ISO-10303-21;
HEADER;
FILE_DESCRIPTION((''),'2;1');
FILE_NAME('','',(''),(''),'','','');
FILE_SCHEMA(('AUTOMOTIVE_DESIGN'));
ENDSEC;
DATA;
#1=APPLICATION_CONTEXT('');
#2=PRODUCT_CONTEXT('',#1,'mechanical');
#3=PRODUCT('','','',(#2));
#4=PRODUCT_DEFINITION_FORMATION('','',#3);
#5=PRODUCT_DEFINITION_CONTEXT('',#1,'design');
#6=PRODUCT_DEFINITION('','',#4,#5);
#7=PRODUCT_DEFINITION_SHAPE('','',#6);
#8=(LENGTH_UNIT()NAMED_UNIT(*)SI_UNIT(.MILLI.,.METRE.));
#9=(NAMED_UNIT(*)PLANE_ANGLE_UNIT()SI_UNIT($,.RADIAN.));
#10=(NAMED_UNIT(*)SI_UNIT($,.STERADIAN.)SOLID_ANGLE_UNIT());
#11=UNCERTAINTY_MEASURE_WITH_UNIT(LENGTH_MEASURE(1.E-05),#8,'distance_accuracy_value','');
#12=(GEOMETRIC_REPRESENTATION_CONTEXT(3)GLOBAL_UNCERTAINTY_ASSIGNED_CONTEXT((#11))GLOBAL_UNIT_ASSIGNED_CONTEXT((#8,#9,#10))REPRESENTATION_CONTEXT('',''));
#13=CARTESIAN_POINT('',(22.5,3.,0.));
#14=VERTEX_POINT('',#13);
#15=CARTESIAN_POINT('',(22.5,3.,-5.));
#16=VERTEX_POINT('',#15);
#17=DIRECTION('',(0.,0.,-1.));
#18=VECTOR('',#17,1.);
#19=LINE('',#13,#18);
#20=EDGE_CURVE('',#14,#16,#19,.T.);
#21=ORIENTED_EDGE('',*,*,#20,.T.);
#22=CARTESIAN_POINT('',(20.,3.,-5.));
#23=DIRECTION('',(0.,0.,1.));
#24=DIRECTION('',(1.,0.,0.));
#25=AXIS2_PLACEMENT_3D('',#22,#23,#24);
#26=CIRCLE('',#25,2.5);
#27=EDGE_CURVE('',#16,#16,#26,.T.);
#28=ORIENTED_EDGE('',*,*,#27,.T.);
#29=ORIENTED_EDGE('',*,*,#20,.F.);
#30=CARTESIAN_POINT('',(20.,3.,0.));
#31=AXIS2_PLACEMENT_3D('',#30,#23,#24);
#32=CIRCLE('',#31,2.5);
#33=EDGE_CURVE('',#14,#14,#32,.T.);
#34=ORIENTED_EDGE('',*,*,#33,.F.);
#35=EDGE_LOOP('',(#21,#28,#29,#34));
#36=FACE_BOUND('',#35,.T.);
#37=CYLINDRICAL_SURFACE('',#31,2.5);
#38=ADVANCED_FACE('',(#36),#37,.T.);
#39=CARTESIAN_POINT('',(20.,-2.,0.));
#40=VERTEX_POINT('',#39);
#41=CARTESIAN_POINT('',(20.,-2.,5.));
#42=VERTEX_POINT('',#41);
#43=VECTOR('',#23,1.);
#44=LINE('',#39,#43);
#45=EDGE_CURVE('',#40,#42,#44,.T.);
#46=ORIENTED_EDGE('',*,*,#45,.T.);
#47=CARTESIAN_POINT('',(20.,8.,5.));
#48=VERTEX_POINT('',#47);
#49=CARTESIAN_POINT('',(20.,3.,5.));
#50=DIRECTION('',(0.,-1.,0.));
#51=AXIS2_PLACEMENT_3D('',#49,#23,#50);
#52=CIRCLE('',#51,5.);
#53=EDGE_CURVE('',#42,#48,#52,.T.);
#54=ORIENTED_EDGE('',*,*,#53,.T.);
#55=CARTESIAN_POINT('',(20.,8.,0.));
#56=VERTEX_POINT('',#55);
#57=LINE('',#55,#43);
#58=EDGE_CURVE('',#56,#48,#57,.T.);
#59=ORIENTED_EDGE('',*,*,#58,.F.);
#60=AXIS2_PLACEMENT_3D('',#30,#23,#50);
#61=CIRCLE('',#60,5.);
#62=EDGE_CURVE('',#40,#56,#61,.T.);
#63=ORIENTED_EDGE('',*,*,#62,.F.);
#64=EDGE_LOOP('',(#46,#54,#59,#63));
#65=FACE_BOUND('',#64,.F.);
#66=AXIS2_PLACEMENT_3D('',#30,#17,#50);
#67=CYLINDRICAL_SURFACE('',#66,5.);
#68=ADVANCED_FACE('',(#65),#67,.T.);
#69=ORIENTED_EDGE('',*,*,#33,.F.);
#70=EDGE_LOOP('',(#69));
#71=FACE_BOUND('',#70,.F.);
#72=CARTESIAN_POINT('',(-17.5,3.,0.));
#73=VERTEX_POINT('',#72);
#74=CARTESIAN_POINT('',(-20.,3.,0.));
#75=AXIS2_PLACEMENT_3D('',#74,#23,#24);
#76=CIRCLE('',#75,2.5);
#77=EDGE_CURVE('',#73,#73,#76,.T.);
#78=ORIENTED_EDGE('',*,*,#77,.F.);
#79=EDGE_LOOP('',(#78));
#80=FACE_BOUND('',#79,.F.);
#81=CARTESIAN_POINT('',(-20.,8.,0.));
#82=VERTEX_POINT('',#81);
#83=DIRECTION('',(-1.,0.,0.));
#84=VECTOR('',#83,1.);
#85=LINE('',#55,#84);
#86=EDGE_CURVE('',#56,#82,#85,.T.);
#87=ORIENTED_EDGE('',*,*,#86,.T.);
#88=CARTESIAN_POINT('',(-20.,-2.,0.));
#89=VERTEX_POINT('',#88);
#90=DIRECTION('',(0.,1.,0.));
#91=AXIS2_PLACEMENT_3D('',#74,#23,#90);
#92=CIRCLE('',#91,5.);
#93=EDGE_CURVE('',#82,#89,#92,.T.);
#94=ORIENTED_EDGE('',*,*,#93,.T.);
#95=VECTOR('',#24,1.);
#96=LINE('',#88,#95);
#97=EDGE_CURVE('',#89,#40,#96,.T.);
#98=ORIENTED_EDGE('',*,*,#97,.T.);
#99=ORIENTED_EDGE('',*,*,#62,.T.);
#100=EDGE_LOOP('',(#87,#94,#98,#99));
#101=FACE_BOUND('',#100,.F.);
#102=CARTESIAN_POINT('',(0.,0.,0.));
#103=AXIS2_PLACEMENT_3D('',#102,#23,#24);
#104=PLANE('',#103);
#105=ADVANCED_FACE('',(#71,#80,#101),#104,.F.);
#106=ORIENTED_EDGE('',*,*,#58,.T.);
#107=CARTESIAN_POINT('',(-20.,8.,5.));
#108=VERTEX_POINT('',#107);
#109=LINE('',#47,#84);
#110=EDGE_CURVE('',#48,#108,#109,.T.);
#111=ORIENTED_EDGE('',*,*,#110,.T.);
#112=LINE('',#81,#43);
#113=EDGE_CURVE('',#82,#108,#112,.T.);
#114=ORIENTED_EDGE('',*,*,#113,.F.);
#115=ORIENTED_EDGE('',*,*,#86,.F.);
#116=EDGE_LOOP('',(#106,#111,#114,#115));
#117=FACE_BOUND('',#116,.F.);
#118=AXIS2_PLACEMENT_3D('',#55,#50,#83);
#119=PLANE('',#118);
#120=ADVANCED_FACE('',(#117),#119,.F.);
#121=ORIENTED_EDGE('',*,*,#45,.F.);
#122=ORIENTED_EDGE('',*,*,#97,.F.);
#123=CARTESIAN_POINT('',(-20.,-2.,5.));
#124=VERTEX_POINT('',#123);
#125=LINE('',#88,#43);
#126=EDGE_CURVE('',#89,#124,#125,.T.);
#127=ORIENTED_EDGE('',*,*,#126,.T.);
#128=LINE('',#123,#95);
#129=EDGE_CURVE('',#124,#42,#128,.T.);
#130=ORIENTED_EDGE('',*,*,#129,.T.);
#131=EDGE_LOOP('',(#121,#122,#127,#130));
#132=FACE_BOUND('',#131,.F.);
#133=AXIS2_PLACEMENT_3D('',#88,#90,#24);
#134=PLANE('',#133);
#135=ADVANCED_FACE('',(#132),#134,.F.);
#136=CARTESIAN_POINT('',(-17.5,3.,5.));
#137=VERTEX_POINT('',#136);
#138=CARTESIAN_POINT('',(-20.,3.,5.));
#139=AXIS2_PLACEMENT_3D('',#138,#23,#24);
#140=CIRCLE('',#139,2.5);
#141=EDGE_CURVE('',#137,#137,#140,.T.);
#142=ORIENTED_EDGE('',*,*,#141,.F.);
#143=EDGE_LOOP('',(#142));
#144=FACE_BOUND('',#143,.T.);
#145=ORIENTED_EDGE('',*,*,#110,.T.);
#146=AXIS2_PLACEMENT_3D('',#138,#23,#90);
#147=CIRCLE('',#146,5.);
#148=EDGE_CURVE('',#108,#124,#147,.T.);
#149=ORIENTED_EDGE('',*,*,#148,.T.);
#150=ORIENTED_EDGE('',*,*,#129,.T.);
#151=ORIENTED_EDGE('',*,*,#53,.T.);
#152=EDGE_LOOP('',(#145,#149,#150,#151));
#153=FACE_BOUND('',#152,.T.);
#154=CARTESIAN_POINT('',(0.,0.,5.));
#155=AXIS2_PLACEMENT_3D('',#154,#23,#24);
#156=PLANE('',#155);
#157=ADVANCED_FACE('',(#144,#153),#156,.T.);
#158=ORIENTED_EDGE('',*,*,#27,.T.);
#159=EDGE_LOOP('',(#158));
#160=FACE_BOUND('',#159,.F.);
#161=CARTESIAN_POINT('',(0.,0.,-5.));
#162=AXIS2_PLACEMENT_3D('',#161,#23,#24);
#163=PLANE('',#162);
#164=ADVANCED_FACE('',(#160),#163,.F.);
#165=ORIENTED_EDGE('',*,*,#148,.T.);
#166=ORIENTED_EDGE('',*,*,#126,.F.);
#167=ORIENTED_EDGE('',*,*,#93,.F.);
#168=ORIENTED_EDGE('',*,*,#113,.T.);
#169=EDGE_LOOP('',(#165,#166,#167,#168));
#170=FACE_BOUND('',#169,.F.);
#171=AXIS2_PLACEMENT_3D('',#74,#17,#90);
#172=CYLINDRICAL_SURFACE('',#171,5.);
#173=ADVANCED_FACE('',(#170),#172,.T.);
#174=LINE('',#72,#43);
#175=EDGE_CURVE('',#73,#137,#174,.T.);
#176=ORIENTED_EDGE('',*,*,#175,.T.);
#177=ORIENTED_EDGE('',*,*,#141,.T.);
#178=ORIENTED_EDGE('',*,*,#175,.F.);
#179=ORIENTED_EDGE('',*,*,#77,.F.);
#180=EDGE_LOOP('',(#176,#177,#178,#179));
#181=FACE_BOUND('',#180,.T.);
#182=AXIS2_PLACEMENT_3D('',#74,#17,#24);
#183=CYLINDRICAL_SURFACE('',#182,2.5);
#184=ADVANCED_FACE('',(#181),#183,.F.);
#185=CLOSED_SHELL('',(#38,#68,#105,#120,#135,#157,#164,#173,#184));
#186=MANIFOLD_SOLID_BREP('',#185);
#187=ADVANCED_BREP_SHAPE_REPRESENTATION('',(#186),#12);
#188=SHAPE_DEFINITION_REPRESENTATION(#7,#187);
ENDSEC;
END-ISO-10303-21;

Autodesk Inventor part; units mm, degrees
ref_plane "YZ Plane" through (0, 0, 0) normal (1, 0, 0) x (0, 1, 0)
ref_plane "XZ Plane" through (0, 0, 0) normal (0, 1, 0) x (-1, 0, 0)
ref_plane "XY Plane" through (0, 0, 0) normal (0, 0, 1) x (1, 0, 0)
sketch "Sketch1" plane through (0, 0, 0) normal (0, 0, 1) x (1, 0, 0)
  line L0 (-20, 3) -> (20, 3) construction
  line L1 (-20, -2) -> (20, -2)
  line L2 (20, 8) -> (-20, 8)
  arc A0 (-20, 8) -> (-20, -2) centre (-20, 3) ccw
  arc A1 (20, -2) -> (20, 8) centre (20, 3) ccw
  circle A2 centre (-20, 3) radius 2.5
  circle A3 centre (20, 3) radius 2.5
  point P0 (0, 0)
  point P1 (0, 3)
  dimension "d0" = 10
  dimension "d1" = 5
  dimension "d2" = 40
extrude "Extrusion1" add sketch "Sketch1" along normal blind 5 contours A0 L2 A1 L1 | A3
extrude "Extrusion2" add sketch "Sketch1" against normal blind 5 contours A3
properties material "Copper, Alloy"
